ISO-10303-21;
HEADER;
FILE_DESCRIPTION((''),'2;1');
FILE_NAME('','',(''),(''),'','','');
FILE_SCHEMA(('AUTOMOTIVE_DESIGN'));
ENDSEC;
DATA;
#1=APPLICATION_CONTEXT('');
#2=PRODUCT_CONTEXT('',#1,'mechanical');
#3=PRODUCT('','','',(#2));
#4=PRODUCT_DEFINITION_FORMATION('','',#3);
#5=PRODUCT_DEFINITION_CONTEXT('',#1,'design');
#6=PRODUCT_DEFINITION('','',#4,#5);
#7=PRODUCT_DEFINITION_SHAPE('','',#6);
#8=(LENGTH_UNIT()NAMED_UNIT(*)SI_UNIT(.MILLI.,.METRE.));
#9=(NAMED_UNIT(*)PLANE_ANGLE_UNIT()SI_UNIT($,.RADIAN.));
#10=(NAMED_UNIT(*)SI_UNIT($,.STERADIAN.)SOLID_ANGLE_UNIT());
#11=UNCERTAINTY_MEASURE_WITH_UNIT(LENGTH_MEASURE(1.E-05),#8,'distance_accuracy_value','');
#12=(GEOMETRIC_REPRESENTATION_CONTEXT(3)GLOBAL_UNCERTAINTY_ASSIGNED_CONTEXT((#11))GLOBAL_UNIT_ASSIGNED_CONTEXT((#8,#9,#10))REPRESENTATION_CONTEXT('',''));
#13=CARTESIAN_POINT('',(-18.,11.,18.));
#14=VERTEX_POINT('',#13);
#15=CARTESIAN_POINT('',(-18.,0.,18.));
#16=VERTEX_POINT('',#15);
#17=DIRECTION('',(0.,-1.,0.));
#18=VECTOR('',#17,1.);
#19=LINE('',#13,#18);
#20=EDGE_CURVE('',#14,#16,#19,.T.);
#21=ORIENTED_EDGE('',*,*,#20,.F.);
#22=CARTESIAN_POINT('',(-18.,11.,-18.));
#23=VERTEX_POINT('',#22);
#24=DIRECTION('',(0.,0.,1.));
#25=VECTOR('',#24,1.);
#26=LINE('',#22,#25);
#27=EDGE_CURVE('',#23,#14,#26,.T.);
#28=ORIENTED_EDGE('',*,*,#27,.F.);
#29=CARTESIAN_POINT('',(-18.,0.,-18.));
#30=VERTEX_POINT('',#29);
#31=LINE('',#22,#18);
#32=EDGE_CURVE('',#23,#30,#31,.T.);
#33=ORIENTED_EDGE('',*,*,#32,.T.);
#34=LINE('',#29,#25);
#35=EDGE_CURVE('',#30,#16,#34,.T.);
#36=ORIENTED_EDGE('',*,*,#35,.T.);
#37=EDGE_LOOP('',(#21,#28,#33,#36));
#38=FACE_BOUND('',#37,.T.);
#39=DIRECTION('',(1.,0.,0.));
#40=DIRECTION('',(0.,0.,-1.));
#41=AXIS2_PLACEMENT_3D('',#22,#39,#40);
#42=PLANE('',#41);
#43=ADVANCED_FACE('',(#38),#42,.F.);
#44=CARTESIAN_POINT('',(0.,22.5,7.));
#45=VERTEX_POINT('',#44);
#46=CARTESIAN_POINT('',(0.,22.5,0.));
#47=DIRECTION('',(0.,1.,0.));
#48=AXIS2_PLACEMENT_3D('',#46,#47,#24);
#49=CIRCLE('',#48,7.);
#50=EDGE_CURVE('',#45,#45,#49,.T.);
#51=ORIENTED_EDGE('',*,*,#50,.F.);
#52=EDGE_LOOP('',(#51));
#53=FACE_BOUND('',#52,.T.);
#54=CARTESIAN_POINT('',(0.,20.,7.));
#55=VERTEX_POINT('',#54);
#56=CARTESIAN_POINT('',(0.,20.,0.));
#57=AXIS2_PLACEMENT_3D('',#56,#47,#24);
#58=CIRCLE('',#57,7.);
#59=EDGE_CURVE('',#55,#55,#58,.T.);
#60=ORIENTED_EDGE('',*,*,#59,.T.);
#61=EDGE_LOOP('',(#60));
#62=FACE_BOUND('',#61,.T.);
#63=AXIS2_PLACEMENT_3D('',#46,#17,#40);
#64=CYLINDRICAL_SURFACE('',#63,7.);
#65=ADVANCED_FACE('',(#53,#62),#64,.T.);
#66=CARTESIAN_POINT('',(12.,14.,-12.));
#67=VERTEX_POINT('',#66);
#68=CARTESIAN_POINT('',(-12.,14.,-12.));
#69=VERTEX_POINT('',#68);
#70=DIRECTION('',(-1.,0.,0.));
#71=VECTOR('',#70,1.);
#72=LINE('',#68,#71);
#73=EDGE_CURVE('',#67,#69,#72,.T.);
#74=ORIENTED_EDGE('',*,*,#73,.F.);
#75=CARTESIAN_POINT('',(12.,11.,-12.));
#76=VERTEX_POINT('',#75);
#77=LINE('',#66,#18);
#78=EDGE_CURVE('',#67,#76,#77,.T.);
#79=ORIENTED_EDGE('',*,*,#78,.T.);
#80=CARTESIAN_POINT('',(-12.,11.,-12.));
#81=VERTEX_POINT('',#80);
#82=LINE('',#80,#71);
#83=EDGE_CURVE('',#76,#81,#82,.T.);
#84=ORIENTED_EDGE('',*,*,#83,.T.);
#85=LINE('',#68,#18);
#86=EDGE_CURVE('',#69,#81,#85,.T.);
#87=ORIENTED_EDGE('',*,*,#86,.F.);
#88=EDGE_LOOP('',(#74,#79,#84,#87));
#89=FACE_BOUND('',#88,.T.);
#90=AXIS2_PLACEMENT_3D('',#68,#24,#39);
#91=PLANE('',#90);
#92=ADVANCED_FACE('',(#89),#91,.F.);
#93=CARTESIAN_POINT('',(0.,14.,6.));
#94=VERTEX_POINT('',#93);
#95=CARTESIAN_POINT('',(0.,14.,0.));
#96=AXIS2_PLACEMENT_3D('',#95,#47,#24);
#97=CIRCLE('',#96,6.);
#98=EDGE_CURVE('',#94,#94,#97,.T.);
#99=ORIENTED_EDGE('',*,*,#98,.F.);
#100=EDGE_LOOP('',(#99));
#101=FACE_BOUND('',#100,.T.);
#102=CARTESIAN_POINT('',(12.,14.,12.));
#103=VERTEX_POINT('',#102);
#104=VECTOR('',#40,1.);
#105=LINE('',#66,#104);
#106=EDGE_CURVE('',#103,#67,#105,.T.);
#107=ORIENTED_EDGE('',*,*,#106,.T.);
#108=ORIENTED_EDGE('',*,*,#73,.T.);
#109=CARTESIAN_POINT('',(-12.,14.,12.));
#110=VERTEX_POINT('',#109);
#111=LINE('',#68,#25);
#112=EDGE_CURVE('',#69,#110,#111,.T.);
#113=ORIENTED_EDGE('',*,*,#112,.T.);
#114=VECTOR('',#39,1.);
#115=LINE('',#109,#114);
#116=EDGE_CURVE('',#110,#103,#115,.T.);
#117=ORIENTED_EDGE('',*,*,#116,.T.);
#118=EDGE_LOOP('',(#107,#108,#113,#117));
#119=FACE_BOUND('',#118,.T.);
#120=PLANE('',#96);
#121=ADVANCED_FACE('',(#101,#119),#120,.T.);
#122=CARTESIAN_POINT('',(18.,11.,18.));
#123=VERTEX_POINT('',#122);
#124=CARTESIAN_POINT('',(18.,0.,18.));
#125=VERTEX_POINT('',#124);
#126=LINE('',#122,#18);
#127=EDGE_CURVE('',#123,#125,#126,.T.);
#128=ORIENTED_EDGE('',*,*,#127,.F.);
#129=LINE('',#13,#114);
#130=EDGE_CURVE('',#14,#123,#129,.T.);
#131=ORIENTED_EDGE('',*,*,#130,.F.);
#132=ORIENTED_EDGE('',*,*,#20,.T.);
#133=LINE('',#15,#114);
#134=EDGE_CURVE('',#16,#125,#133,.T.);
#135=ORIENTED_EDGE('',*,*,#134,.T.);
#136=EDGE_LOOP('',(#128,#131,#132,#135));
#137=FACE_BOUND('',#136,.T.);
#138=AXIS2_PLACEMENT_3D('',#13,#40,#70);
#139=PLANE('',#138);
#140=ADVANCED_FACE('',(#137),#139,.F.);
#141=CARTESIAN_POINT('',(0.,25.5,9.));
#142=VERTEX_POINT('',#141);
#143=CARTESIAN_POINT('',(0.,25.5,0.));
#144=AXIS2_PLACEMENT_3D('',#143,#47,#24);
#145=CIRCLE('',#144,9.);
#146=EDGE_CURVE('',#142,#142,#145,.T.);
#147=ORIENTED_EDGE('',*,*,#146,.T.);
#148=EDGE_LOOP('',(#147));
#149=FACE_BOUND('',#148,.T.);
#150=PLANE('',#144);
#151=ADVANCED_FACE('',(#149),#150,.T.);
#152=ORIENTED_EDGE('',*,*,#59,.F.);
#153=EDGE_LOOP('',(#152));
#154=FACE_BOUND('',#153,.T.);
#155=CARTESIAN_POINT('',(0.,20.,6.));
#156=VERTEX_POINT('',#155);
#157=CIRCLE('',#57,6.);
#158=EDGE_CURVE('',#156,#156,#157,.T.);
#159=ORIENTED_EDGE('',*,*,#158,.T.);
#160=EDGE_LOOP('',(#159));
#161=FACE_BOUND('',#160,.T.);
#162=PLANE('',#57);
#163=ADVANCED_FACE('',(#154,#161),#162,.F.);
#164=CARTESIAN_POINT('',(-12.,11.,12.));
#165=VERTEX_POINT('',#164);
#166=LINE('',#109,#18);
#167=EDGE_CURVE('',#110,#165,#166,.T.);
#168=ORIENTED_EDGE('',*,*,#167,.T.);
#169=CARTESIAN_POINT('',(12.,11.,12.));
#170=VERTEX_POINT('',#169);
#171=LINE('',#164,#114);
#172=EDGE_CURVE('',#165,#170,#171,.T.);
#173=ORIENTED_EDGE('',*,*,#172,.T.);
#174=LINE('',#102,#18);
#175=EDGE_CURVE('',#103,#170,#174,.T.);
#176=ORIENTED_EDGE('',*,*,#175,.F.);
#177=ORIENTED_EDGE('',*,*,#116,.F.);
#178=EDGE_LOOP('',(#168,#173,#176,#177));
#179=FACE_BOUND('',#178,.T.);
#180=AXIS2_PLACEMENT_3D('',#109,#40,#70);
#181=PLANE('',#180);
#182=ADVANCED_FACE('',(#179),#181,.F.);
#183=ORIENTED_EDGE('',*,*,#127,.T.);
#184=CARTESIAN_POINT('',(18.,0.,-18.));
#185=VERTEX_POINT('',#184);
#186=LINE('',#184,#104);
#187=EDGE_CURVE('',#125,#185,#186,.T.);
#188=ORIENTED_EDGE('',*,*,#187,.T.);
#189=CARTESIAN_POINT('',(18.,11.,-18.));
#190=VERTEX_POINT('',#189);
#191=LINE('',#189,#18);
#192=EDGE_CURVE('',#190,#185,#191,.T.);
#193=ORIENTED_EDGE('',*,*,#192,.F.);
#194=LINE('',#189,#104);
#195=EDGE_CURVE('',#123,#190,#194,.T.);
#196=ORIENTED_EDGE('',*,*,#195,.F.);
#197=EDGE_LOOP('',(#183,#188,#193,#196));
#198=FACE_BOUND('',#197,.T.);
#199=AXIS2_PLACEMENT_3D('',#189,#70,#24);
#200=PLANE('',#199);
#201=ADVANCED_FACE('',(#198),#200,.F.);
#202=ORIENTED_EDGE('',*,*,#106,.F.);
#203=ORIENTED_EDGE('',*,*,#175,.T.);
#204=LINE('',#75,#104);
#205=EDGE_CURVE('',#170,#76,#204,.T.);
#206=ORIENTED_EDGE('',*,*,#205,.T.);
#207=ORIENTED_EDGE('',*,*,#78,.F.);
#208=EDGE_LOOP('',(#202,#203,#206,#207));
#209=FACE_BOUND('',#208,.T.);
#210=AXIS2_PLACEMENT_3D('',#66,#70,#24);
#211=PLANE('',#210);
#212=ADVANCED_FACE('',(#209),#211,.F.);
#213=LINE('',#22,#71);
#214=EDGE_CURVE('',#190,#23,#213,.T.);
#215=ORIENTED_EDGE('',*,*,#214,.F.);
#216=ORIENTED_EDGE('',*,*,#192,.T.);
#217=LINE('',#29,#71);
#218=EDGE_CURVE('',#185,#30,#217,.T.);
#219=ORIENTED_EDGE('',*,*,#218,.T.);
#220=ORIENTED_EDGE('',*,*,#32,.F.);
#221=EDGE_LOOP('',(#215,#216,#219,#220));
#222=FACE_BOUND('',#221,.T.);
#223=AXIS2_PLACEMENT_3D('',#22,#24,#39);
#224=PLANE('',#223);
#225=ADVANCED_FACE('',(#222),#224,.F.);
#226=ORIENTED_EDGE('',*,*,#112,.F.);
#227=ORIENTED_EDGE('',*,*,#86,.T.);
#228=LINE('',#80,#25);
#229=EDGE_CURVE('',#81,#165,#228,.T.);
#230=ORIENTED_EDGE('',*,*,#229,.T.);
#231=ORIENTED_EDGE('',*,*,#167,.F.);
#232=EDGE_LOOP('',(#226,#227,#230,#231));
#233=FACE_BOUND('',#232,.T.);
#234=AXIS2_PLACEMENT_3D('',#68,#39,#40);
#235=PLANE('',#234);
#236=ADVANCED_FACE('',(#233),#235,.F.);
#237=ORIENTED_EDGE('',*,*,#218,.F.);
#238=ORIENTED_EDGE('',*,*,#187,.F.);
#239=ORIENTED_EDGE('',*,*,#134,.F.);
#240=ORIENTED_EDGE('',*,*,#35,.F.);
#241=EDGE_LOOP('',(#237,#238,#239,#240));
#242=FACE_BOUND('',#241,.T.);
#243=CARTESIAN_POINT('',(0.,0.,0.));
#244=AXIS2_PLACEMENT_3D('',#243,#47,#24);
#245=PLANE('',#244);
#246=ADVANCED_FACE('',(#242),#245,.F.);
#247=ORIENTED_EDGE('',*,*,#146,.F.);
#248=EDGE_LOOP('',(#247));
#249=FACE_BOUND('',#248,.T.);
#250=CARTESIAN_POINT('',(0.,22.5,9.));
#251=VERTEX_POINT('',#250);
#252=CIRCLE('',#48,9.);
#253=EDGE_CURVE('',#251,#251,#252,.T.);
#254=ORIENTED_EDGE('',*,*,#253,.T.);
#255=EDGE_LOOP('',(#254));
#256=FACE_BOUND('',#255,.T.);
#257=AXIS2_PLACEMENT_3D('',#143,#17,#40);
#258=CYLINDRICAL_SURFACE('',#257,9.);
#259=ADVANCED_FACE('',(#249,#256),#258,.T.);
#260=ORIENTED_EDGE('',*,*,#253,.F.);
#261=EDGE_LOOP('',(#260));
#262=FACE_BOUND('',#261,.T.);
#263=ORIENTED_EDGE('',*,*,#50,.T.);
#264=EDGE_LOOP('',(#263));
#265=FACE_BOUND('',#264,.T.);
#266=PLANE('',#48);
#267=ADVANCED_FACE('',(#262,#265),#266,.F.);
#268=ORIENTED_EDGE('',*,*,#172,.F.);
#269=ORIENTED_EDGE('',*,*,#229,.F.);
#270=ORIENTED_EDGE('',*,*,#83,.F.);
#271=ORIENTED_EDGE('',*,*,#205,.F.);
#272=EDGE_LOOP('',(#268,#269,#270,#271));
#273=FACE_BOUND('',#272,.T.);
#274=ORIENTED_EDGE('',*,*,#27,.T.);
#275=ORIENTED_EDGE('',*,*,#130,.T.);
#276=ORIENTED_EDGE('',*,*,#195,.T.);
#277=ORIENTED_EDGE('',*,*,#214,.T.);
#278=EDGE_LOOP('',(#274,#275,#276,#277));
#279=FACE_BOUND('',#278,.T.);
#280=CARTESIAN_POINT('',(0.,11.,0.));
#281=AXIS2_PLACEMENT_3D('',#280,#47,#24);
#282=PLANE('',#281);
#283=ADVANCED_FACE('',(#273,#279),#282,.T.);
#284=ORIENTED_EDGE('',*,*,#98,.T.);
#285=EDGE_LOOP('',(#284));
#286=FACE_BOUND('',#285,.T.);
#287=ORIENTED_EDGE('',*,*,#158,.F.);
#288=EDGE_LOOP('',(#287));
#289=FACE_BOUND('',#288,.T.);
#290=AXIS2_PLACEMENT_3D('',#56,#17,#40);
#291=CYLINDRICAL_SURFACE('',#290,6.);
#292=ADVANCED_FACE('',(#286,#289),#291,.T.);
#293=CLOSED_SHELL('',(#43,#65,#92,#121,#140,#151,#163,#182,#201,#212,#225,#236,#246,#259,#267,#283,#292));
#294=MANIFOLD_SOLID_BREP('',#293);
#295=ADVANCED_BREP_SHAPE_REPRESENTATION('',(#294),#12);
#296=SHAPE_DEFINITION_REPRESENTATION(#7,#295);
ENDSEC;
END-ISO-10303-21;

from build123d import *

# Parameters (mm, degrees)
SKETCH1_W           = 36
SKETCH1_H           = 36
BOSS_EXTRUDE1_DEPTH = 11
SKETCH2_W           = 24
SKETCH2_H           = 24
BOSS_EXTRUDE2_DEPTH = 3
SKETCH3_R           = 6
BOSS_EXTRUDE3_DEPTH = 6
SKETCH4_R           = 7
BOSS_EXTRUDE4_DEPTH = 2.5
SKETCH5_R           = 9
BOSS_EXTRUDE5_DEPTH = 3


with BuildPart() as part:
    # Sketch1 → Boss-Extrude1 (new body)
    with BuildSketch(Plane(origin=(0, 0, 0), x_dir=(1, 0, 0), z_dir=(0, 1, 0))):
        Rectangle(SKETCH1_W, SKETCH1_H)
    extrude(amount=BOSS_EXTRUDE1_DEPTH)

    # Sketch2 → Boss-Extrude2 (add)
    with BuildSketch(Plane(origin=(0, 11, 0), x_dir=(1, 0, 0), z_dir=(0, 1, 0))):
        Rectangle(SKETCH2_W, SKETCH2_H)
    extrude(amount=BOSS_EXTRUDE2_DEPTH)

    # Sketch3 → Boss-Extrude3 (add)
    with BuildSketch(Plane(origin=(0, 14, 0), x_dir=(1, 0, 0), z_dir=(0, 1, 0))):
        with Locations(Location((0, 0, 0), (0, 0, 270))):
            Circle(SKETCH3_R)
    extrude(amount=BOSS_EXTRUDE3_DEPTH)

    # Sketch4 → Boss-Extrude4 (add)
    with BuildSketch(Plane(origin=(0, 20, 0), x_dir=(1, 0, 0), z_dir=(0, 1, 0))):
        with Locations(Location((0, 0, 0), (0, 0, 270))):
            Circle(SKETCH4_R)
    extrude(amount=BOSS_EXTRUDE4_DEPTH)

    # Sketch5 → Boss-Extrude5 (add)
    with BuildSketch(Plane(origin=(0, 22.5, 0), x_dir=(1, 0, 0), z_dir=(0, 1, 0))):
        with Locations(Location((0, 0, 0), (0, 0, 270))):
            Circle(SKETCH5_R)
    extrude(amount=BOSS_EXTRUDE5_DEPTH)


solid = part.part
